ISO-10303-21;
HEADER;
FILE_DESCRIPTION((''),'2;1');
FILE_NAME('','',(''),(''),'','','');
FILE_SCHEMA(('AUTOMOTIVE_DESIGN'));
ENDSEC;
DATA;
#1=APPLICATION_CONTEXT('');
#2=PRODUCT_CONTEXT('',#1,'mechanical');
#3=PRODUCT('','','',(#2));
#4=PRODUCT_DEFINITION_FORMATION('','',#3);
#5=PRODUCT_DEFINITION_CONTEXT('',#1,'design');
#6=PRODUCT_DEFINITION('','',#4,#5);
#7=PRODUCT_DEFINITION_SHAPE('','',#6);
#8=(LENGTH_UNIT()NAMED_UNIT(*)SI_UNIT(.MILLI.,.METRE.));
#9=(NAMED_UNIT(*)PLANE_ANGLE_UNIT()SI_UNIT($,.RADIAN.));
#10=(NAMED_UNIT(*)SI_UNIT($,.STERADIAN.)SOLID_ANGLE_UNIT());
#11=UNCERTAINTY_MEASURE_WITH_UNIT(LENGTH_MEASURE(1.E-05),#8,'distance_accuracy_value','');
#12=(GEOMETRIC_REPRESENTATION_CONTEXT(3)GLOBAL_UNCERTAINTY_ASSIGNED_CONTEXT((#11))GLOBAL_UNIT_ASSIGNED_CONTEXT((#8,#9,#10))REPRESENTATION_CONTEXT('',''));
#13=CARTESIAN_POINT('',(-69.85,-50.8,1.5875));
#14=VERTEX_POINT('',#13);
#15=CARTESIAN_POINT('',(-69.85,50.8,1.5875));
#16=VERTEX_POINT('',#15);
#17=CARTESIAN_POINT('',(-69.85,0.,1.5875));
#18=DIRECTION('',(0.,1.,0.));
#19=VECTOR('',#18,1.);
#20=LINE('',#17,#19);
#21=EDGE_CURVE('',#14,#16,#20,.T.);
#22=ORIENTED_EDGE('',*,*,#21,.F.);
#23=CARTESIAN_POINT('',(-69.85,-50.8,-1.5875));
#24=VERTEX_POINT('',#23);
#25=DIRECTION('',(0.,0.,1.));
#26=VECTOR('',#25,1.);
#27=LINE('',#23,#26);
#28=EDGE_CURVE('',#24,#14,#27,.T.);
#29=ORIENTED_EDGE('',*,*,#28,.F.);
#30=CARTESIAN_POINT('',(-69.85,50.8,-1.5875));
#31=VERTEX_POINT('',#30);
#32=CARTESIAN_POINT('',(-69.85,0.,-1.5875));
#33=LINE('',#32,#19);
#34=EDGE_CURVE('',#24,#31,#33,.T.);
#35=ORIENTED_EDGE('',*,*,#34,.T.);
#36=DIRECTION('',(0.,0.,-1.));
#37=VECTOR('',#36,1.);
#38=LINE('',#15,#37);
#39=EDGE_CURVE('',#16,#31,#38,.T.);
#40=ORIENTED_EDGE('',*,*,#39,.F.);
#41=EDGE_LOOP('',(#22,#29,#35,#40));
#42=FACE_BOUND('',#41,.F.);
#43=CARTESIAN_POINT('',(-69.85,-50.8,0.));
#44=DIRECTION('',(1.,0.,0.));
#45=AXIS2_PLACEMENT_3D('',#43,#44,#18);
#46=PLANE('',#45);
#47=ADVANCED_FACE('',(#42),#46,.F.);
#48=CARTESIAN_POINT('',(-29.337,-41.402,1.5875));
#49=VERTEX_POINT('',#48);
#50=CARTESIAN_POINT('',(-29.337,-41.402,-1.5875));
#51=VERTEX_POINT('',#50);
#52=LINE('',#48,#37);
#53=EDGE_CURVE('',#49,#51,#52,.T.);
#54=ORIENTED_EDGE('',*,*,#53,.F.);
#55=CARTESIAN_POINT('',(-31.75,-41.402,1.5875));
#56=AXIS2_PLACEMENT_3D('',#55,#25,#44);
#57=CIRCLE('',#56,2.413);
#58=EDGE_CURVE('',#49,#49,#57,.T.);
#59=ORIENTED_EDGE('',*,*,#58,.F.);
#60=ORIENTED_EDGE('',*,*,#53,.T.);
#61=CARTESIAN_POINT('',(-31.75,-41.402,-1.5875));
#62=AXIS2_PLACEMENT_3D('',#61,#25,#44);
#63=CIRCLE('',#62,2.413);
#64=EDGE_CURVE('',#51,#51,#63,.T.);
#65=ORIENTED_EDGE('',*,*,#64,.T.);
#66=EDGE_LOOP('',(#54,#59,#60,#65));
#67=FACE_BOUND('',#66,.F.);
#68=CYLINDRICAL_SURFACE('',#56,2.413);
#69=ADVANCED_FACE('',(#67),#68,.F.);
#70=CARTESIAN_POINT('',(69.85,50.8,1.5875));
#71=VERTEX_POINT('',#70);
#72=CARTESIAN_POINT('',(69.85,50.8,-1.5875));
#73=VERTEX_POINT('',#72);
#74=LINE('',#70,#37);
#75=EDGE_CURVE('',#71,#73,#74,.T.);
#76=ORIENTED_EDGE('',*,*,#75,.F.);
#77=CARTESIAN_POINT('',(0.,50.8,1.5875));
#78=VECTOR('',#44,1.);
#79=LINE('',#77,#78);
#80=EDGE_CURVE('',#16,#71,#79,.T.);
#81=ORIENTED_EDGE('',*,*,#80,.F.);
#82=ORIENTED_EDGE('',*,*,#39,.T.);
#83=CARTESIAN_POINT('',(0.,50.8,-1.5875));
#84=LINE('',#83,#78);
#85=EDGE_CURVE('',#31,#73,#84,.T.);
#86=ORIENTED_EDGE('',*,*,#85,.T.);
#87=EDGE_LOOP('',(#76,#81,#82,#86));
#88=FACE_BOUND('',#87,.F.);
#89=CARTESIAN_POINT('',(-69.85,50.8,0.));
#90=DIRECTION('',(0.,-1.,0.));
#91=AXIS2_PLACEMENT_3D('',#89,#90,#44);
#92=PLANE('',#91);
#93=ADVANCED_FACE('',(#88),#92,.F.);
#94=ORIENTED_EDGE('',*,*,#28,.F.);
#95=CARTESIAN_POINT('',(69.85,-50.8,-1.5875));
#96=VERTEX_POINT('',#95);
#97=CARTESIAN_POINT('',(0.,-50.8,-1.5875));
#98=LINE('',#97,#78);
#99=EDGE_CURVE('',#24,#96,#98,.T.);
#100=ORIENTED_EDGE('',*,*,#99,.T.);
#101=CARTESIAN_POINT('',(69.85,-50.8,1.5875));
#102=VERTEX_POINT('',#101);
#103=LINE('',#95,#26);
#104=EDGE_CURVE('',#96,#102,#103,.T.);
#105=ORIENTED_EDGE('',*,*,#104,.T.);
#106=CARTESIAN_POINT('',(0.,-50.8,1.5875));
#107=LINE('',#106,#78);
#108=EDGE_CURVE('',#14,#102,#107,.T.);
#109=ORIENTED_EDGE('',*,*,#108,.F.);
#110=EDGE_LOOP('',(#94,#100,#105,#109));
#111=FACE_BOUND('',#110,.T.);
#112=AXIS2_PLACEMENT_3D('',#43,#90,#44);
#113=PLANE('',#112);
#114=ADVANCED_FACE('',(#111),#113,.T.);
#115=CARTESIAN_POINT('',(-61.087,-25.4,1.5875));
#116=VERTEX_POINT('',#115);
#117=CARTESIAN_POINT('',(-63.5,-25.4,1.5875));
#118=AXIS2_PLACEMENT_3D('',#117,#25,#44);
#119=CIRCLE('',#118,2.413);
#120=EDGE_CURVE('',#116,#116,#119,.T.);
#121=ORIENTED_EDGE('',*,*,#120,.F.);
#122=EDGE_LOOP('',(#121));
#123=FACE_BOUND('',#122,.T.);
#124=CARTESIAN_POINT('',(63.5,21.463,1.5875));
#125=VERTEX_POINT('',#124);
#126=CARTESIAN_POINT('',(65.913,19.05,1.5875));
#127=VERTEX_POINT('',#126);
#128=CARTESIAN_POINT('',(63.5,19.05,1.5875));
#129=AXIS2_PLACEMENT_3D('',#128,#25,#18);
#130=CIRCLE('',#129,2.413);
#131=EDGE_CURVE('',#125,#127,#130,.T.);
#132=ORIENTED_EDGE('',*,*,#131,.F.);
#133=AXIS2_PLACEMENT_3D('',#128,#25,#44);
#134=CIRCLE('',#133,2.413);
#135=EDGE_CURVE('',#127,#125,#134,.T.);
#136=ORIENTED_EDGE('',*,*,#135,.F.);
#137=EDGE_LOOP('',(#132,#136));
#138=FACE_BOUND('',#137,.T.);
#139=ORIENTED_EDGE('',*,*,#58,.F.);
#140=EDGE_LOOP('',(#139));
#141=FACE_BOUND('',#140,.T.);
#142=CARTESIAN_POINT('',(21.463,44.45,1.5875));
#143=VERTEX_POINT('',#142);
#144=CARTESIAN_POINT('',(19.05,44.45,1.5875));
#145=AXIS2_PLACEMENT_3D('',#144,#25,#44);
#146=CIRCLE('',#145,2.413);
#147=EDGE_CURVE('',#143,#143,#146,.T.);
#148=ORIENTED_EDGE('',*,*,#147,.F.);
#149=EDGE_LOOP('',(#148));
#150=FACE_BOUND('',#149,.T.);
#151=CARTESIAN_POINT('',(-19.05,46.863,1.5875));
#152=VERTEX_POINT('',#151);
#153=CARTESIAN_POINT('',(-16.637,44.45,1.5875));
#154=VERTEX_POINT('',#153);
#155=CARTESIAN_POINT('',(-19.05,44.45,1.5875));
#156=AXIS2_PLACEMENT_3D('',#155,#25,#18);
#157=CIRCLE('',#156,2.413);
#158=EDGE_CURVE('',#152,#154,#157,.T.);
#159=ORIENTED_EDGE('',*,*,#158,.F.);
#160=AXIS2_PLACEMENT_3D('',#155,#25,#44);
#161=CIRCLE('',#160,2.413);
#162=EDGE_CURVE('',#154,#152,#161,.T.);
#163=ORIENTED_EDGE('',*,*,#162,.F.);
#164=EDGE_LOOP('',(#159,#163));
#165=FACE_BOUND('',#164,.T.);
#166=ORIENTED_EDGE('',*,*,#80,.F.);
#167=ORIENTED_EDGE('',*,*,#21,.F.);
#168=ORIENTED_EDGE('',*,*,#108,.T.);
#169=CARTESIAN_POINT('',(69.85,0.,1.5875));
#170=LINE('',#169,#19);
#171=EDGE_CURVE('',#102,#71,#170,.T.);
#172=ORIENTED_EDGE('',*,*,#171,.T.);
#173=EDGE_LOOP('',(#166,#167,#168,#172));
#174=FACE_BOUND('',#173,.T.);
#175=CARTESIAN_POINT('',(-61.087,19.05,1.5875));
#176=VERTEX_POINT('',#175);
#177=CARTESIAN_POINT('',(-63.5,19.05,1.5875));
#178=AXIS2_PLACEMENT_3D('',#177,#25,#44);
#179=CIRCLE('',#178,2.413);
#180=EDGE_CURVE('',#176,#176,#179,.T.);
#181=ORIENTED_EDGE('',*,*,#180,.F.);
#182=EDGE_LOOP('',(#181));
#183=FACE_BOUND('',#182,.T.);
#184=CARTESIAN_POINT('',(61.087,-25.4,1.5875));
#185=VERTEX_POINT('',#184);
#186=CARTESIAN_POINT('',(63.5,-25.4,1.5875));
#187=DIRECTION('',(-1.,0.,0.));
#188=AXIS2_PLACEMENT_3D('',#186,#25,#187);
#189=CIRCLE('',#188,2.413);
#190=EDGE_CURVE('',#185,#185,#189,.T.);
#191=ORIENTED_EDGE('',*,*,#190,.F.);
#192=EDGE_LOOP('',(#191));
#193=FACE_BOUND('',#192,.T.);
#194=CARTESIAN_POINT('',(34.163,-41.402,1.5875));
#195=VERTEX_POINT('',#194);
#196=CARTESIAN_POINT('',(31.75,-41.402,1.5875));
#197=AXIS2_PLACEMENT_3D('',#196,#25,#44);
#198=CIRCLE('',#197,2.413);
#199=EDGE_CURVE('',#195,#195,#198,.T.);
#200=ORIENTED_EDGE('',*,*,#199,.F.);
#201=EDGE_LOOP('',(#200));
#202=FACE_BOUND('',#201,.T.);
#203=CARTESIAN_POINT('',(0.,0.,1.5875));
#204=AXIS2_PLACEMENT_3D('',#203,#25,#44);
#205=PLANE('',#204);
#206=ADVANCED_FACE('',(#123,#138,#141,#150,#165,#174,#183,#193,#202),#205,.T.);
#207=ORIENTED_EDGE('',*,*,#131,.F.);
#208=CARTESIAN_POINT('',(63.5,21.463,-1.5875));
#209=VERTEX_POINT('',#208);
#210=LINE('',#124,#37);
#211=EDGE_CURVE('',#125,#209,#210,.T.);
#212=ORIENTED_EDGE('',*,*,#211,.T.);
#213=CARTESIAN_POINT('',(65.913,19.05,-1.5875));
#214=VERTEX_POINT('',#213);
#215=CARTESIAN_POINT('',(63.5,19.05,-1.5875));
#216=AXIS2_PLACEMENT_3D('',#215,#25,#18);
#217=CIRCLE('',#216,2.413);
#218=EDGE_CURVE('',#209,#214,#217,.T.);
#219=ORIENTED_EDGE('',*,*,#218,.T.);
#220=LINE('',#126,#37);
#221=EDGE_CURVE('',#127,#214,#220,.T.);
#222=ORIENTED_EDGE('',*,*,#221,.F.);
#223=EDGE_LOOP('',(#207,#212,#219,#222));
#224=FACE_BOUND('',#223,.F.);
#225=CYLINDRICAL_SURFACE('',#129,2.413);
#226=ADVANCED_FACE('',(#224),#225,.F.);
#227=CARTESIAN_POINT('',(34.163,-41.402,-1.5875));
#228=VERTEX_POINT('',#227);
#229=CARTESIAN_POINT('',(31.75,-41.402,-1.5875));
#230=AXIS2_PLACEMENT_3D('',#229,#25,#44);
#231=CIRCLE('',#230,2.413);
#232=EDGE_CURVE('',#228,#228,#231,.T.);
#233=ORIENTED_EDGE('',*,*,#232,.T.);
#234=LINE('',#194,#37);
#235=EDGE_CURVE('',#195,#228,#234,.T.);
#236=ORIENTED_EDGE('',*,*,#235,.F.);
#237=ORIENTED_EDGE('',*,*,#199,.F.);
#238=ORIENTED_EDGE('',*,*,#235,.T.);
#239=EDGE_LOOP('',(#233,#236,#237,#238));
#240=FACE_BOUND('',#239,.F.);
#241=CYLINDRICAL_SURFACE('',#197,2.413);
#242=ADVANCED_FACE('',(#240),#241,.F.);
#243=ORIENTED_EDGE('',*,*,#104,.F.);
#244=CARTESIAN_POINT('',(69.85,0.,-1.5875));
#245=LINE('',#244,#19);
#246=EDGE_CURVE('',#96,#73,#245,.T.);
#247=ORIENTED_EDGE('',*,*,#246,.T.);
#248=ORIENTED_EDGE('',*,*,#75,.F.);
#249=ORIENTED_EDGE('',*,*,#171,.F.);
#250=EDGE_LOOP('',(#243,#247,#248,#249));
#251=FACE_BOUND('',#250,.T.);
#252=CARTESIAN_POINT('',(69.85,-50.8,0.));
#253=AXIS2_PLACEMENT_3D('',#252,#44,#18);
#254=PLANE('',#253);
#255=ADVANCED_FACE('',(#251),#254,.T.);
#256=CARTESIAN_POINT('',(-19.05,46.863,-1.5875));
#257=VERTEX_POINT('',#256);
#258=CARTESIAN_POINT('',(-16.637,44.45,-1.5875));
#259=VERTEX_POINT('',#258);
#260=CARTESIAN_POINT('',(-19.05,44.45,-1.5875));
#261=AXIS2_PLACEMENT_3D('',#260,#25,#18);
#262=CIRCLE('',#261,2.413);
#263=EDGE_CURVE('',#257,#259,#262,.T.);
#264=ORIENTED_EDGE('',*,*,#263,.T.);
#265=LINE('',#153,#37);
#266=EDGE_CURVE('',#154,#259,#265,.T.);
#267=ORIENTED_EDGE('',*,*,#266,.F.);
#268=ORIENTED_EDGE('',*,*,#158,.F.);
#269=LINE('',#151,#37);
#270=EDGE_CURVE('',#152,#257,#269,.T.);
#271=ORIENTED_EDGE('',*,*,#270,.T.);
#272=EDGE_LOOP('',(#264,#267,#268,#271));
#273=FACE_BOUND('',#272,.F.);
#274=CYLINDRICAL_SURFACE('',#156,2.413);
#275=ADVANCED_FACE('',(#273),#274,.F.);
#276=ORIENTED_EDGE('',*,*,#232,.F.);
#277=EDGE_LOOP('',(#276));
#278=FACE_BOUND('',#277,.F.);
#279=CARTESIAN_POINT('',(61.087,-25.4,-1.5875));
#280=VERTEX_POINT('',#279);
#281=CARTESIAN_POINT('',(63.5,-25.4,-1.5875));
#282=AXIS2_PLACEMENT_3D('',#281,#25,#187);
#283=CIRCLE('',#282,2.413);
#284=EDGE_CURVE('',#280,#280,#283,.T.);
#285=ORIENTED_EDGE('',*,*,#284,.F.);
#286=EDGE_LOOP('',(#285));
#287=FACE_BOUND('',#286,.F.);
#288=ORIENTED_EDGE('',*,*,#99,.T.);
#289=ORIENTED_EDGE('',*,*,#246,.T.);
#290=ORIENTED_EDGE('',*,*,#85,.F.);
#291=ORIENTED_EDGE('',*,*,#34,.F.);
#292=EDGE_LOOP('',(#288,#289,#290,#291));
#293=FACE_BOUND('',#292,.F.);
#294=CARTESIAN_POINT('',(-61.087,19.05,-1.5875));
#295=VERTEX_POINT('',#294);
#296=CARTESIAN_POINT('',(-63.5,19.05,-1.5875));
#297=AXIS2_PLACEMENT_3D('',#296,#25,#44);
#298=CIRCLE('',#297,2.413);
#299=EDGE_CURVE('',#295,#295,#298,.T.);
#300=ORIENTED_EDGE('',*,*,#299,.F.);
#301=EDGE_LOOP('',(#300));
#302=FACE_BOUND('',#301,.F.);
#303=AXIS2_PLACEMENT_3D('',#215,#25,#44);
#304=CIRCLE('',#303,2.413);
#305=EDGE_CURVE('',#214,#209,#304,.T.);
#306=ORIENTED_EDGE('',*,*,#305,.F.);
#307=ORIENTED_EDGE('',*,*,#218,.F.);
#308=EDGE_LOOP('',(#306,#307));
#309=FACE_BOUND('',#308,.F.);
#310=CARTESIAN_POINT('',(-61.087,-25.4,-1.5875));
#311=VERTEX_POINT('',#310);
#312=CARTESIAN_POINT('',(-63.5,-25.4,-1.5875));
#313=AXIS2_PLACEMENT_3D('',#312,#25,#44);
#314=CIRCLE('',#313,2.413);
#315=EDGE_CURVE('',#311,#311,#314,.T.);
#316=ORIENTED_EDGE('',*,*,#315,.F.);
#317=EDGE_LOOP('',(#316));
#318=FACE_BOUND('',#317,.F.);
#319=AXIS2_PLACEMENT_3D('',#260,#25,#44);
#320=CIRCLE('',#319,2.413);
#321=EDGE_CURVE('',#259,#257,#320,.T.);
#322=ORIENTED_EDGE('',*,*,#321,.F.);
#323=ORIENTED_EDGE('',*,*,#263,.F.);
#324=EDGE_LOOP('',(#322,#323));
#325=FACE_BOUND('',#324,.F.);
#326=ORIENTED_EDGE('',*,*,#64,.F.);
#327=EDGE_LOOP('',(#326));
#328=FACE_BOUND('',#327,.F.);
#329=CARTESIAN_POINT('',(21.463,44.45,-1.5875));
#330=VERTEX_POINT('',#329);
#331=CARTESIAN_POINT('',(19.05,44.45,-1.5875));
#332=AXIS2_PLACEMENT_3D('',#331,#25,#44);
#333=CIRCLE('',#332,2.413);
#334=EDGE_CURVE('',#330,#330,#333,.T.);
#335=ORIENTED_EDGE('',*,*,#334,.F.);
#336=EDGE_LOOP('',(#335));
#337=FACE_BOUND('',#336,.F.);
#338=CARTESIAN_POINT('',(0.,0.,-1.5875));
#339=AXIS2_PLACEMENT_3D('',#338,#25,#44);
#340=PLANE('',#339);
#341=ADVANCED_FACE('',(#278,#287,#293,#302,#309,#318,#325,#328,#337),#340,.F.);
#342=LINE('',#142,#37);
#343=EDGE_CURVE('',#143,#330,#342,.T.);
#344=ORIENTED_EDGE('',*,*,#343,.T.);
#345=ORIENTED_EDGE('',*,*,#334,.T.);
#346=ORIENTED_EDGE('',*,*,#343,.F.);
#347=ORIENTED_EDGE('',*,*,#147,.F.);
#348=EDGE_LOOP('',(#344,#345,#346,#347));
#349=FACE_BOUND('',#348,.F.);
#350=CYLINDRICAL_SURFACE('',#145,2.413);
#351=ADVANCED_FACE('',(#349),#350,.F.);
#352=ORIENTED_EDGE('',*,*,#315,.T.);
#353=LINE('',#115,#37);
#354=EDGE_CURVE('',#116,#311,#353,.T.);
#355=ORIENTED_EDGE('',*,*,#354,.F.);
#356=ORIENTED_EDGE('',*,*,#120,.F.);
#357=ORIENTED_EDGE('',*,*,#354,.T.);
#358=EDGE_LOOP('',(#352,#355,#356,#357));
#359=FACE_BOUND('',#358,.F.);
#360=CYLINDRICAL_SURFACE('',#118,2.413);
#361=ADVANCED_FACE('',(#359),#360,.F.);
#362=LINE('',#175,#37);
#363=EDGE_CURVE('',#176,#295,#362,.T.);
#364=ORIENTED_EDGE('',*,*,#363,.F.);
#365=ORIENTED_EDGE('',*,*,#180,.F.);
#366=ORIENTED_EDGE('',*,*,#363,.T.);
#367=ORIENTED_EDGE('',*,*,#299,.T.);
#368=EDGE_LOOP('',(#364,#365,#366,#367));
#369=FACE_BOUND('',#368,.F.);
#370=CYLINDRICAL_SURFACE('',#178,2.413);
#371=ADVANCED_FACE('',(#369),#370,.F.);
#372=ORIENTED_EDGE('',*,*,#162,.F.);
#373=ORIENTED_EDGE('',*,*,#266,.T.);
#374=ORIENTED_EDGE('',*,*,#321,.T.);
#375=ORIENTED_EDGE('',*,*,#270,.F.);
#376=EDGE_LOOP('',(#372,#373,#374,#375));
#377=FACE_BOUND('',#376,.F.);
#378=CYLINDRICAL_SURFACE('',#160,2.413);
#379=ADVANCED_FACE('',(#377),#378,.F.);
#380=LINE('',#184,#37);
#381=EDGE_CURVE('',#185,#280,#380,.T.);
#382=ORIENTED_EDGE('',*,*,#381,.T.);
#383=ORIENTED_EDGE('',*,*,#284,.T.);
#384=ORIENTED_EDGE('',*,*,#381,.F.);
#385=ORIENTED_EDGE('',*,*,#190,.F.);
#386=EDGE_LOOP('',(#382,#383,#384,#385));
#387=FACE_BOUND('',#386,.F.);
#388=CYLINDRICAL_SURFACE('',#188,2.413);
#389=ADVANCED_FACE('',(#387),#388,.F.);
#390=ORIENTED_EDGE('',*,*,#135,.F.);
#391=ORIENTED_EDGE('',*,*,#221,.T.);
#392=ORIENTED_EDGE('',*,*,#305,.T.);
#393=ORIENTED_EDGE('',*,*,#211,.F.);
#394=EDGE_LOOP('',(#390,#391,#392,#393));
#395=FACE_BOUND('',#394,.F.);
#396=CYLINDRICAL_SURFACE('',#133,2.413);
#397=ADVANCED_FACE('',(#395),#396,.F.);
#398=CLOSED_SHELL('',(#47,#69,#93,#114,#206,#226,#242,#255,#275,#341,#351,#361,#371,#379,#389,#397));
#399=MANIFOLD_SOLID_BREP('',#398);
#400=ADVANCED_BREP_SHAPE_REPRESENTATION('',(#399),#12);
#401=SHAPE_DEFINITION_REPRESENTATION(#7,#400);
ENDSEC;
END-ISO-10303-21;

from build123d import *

# Parameters (mm, degrees)
F0_W     = 139.7
F0_H     = 101.6
F1_DEPTH = 1.5875
F2_R     = 2.413
F3_DEPTH = 25.4


with BuildPart() as f1:
    # F0 (on Top) → F1 (new body, symmetric)
    with BuildSketch(Plane.XY):
        Rectangle(F0_W, F0_H)
    extrude(amount=F1_DEPTH, both=True)

    # F2 (on face) → F3 (cut)
    with BuildSketch(Plane.XY.offset(1.5875)):
        with BuildLine():
            Line((63.5, -25.4), (65.913, -25.4))
            ThreePointArc((65.913, -25.4), (63.5, -22.987), (61.087, -25.4))
            Line((61.087, -25.4), (63.5, -25.4))
        make_face()
        with BuildLine():
            ThreePointArc((-65.913, -25.4), (-63.5, -27.813), (-61.087, -25.4))
            Line((-61.087, -25.4), (-65.913, -25.4))
        make_face()
        with BuildLine():
            Line((-65.913, -25.4), (-61.087, -25.4))
            ThreePointArc((-61.087, -25.4), (-63.5, -22.987), (-65.913, -25.4))
        make_face()
        with BuildLine():
            ThreePointArc((61.087, -25.4), (63.5, -27.813), (65.913, -25.4))
            Line((65.913, -25.4), (63.5, -25.4))
            Line((63.5, -25.4), (61.087, -25.4))
        make_face()
        with BuildLine():
            ThreePointArc((63.5, 21.463), (61.793751337, 17.343751337), (65.913, 19.05))
            ThreePointArc((65.913, 19.05), (65.206248663, 20.756248663), (63.5, 21.463))
        make_face()
        with Locations((19.05, 44.45)):
            Circle(F2_R)
        with BuildLine():
            ThreePointArc((-19.05, 46.863), (-20.756248663, 42.743751337), (-16.637, 44.45))
            ThreePointArc((-16.637, 44.45), (-17.343751337, 46.156248663), (-19.05, 46.863))
        make_face()
        with Locations((-63.5, 19.05)):
            Circle(F2_R)
        with Locations((-31.75, -41.402)):
            Circle(F2_R)
        with Locations((31.75, -41.402)):
            Circle(F2_R)
    extrude(amount=-F3_DEPTH, mode=Mode.SUBTRACT)


solid = f1.part
